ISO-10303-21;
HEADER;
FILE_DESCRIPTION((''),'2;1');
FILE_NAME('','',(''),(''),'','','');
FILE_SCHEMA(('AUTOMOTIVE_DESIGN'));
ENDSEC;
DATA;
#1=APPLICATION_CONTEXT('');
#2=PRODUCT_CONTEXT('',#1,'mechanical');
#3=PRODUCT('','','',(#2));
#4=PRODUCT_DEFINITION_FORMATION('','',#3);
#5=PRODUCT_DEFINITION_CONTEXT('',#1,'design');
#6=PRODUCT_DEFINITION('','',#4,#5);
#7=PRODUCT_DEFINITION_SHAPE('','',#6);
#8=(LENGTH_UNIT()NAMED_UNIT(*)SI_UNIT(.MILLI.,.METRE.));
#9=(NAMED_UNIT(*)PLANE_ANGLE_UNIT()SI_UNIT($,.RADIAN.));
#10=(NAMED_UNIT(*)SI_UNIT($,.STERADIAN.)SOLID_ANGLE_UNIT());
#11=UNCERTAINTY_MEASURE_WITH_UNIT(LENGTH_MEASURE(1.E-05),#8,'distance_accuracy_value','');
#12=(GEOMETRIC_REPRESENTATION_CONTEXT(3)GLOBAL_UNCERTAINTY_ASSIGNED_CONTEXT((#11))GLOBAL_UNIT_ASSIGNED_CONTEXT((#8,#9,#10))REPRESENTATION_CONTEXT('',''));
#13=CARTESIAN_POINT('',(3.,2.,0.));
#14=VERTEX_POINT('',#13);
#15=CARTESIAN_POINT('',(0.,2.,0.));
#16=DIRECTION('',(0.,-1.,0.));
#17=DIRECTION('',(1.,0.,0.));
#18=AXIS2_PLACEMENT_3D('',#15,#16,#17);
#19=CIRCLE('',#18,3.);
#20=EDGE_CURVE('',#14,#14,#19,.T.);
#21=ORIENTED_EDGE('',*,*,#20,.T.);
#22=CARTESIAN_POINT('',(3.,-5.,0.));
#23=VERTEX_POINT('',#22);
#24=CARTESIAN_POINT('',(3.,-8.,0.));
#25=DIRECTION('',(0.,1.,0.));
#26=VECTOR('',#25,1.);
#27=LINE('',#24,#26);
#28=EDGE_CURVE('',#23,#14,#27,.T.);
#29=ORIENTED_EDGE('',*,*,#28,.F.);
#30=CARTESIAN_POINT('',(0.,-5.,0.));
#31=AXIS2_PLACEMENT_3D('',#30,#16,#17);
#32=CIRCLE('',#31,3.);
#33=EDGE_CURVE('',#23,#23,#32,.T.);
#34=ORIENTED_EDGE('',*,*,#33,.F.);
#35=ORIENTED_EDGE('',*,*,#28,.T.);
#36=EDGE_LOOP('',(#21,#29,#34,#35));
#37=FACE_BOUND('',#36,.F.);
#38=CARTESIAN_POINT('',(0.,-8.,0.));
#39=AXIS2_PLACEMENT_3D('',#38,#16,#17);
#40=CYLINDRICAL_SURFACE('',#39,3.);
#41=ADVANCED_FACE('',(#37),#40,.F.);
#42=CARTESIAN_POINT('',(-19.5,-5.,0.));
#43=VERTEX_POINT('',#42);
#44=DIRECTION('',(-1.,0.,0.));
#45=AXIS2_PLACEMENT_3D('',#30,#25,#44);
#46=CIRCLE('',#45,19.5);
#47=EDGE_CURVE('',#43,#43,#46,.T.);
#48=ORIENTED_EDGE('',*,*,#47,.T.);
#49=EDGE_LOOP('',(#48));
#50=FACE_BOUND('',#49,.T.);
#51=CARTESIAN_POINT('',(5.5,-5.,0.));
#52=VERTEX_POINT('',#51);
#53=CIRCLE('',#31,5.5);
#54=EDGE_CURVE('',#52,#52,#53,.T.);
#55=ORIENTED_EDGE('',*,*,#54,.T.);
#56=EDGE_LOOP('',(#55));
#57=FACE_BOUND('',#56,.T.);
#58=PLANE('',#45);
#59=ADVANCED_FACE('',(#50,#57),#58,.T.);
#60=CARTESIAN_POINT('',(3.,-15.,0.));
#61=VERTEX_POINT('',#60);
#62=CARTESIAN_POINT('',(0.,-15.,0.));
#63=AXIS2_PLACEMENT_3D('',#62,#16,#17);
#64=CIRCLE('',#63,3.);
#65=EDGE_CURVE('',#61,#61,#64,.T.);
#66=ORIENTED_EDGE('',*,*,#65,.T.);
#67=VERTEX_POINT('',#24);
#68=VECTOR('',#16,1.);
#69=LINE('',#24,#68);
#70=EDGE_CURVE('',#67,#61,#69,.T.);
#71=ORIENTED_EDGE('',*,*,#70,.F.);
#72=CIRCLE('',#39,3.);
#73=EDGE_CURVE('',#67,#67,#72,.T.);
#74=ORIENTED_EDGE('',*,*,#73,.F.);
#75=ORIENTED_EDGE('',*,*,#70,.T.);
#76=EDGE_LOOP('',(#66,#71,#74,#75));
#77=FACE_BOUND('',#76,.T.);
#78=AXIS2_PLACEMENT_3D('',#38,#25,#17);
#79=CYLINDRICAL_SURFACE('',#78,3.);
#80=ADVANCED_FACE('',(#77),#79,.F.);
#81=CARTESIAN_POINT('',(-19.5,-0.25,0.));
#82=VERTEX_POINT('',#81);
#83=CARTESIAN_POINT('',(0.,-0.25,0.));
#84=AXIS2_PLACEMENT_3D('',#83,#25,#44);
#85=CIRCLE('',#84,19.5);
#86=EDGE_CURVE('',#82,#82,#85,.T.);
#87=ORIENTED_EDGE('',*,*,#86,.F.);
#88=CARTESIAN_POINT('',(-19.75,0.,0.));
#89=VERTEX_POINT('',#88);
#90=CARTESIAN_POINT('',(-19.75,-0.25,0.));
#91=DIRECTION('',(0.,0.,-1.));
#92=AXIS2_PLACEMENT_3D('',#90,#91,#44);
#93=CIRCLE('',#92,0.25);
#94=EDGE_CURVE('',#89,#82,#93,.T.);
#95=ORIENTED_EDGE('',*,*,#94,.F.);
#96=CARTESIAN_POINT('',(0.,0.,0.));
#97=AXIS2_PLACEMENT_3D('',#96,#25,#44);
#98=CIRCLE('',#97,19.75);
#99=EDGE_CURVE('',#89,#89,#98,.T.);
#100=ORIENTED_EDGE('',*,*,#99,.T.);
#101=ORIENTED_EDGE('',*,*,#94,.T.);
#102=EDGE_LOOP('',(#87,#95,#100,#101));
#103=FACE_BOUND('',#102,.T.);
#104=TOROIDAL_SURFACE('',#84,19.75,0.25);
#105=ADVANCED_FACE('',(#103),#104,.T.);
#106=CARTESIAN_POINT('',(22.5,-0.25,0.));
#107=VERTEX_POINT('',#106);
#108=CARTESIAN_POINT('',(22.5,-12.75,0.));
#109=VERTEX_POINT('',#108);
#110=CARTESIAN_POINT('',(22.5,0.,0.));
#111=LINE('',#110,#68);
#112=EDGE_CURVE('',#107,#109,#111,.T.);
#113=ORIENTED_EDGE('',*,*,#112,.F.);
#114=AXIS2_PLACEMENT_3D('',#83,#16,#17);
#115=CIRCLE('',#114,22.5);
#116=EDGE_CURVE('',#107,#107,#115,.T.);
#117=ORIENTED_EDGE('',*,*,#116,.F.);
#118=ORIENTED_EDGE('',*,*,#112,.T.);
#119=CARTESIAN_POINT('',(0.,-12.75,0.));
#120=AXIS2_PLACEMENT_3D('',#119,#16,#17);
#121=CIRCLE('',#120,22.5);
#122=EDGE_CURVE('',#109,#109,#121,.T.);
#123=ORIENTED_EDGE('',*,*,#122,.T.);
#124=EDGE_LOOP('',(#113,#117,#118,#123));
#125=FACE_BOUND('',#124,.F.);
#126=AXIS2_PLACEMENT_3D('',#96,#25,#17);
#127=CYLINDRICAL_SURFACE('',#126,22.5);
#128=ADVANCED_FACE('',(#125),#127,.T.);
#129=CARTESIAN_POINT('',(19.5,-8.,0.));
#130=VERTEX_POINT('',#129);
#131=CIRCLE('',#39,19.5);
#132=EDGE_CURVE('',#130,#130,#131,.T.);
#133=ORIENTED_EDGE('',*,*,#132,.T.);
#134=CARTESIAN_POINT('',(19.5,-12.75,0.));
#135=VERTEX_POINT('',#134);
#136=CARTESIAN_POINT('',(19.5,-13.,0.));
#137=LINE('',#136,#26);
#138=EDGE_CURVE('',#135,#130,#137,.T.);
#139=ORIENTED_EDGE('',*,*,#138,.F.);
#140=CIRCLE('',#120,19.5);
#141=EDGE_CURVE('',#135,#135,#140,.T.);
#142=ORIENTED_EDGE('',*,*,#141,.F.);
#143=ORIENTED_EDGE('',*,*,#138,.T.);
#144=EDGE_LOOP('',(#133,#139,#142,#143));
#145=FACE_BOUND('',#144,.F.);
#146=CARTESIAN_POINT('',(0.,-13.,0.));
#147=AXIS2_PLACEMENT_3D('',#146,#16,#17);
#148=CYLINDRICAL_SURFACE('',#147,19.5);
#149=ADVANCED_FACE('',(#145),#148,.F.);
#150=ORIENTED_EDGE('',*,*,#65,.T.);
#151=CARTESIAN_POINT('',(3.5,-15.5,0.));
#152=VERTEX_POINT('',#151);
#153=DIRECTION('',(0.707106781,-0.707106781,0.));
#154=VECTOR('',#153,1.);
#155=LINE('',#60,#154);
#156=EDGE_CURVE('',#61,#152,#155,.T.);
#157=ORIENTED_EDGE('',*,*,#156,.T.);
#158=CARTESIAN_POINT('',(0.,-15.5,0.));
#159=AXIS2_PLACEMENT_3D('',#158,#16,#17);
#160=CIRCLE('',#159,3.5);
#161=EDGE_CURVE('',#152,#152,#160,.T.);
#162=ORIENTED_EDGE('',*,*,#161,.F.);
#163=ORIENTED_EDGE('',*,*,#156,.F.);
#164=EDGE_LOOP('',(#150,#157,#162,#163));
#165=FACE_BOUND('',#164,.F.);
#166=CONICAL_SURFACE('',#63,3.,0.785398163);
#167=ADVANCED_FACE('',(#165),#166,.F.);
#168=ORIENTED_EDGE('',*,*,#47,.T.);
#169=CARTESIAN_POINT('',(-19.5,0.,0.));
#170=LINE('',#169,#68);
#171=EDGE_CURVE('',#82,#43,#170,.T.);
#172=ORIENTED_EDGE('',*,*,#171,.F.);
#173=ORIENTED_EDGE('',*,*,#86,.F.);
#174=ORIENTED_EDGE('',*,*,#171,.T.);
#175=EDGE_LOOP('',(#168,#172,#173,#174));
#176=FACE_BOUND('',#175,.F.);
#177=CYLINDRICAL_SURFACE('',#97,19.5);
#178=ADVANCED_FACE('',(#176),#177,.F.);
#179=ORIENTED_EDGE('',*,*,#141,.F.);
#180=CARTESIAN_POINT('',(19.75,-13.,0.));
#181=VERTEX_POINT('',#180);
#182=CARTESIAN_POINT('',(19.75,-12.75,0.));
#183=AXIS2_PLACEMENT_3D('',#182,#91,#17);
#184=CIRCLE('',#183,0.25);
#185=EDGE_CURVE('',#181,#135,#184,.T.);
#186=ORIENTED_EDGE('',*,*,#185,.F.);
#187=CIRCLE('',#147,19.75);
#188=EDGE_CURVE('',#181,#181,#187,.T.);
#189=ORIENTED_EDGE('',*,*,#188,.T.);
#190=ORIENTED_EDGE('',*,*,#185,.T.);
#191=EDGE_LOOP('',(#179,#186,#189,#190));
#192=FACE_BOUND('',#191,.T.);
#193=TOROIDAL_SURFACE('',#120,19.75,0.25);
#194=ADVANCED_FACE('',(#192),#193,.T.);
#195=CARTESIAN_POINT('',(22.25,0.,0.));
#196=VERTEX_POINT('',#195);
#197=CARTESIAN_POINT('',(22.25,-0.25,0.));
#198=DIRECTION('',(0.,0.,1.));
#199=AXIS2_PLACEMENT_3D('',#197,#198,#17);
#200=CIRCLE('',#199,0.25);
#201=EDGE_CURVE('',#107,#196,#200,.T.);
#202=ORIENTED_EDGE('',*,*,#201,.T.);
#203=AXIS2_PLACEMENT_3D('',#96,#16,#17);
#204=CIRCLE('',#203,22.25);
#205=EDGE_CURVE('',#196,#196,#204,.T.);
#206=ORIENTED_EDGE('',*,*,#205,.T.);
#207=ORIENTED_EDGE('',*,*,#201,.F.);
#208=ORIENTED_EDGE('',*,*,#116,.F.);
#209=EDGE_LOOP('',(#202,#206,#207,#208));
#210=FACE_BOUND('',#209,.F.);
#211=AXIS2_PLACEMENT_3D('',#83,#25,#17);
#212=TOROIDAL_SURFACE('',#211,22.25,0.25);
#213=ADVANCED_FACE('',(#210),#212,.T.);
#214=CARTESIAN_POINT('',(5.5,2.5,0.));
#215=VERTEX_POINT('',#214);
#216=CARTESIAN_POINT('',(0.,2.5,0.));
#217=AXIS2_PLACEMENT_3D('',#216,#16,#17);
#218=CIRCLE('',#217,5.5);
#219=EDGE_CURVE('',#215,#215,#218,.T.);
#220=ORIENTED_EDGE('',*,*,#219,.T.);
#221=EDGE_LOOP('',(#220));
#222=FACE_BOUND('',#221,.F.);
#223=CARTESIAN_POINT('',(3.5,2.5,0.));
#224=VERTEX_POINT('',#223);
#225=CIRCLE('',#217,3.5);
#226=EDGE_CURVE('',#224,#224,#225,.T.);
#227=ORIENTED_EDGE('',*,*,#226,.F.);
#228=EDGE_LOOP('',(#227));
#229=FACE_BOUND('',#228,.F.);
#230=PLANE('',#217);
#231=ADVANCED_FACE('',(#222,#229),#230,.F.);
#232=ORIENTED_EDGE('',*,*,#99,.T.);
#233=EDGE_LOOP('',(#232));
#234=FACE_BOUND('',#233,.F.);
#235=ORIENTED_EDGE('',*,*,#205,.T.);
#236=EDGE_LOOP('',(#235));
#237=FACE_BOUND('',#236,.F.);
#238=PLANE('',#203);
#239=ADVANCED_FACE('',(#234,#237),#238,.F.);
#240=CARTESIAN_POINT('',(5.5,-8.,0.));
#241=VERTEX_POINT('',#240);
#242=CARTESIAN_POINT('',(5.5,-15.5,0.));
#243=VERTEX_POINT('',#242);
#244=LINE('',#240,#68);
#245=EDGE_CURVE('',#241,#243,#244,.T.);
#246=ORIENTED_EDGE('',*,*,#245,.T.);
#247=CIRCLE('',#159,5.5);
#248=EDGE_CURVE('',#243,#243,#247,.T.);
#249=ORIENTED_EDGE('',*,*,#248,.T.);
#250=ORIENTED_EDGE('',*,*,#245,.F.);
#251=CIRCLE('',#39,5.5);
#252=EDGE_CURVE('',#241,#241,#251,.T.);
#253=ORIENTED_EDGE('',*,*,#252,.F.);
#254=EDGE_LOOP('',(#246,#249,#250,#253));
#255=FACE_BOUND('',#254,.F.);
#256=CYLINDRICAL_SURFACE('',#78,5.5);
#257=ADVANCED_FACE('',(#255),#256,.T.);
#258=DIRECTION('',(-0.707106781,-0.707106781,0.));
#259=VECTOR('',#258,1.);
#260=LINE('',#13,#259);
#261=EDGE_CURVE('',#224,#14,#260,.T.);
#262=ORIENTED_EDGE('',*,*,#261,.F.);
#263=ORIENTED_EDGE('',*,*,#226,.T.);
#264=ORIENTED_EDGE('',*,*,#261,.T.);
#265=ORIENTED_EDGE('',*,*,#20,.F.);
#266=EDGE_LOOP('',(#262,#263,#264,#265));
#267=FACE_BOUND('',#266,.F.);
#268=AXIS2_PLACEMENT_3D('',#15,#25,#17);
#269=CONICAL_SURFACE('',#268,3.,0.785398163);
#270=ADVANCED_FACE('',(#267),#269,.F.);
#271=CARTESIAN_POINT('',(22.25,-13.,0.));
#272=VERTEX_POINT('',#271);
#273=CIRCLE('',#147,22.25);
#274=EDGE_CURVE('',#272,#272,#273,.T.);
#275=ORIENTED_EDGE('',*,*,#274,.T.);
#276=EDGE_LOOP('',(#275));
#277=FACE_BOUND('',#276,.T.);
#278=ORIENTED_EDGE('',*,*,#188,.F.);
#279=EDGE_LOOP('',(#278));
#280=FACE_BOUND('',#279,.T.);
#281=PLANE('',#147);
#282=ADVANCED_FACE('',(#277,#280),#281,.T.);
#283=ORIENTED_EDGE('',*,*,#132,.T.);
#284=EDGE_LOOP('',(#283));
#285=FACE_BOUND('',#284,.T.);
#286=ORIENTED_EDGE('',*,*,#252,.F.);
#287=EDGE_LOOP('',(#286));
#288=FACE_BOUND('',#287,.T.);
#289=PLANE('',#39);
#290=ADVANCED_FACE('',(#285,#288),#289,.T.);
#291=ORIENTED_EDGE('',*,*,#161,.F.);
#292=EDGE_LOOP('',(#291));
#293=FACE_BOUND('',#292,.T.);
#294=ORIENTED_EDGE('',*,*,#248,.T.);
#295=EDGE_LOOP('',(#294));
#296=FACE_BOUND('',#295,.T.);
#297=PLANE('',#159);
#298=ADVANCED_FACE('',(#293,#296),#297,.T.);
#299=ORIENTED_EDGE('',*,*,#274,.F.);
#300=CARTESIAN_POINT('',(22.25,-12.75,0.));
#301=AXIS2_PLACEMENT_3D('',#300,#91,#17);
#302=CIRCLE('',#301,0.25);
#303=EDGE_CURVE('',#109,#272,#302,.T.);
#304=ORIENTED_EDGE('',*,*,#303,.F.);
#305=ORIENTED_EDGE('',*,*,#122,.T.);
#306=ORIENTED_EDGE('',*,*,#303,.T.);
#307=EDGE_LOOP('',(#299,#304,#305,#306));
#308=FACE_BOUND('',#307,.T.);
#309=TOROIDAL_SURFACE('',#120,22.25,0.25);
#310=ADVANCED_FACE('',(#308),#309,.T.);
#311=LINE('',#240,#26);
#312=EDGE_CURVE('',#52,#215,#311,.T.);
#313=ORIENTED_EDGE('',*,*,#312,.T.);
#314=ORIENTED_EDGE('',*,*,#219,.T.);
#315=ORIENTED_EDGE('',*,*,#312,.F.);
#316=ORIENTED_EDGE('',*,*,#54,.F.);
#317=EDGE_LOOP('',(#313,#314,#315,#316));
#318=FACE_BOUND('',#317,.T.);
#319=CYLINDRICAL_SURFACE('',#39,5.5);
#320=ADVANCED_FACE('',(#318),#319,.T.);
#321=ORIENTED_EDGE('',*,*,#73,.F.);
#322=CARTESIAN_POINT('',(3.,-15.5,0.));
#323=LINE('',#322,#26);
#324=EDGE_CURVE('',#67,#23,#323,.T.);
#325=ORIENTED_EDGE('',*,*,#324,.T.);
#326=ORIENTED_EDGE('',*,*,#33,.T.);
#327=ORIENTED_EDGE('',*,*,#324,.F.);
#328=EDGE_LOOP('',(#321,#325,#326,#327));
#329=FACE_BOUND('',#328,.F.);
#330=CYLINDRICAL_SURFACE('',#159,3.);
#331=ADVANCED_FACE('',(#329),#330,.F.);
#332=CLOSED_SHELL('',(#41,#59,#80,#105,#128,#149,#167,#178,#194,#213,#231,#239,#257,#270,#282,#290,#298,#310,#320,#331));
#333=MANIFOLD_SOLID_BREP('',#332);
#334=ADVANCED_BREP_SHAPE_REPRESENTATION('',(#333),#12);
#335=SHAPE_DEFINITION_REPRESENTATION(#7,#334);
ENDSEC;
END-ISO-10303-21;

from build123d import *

# Parameters (mm, degrees)
F0_R          = 22.5
F1_DEPTH      = 13
F2_R          = 19.5
F3_DEPTH      = 5
F4_R          = 19.5
F5_DEPTH      = 5
F6_R          = 0.25
F7_R          = 5.5
F7_R_2        = 3
F8_DEPTH      = 7.5
F8_DEPTH_BACK = 10.5
F9_R          = 3
F10_DEPTH     = 25
F11_SIZE      = 0.5


with BuildPart() as f1:
    # F0 (on Front) → F1 (new body)
    with BuildSketch(Plane.XZ):
        Circle(F0_R)
    extrude(amount=F1_DEPTH)

    # F2 (on face) → F3 (cut)
    with BuildSketch(Plane(origin=(0, 0, 0), x_dir=(-1, 0, 0), z_dir=(0, 1, 0))):
        Circle(F2_R)
    extrude(amount=-F3_DEPTH, mode=Mode.SUBTRACT)

    # F4 (on face) → F5 (cut)
    with BuildSketch(Plane.XZ.offset(13)):
        Circle(F4_R)
    extrude(amount=-F5_DEPTH, mode=Mode.SUBTRACT)

    # F6
    f6_edges = [f1.edges().sort_by_distance(p)[0] for p in [
        (-22.5, -13, 0),
        (-22.5, 0, 0),
        (-19.5, -13, 0),
        (19.5, 0, 0),
    ]]
    fillet(f6_edges, radius=F6_R)

    # F7 (on face) → F8 (join, two sides)
    with BuildSketch(Plane.XZ.offset(8)) as f8_sk:
        Circle(F7_R)
        Circle(F7_R_2, mode=Mode.SUBTRACT)
    extrude(amount=F8_DEPTH)
    extrude(f8_sk.sketch, amount=-F8_DEPTH_BACK)

    # F9 (on face) → F10 (cut)
    with BuildSketch(Plane.XZ.offset(15.5)):
        Circle(F9_R)
    extrude(amount=-F10_DEPTH, mode=Mode.SUBTRACT)

    # F11
    f11_edges = [f1.edges().sort_by_distance(p)[0] for p in [
        (-3, -15.5, 0),
        (-3, 2.5, 0),
    ]]
    chamfer(f11_edges, length=F11_SIZE)


solid = f1.part
